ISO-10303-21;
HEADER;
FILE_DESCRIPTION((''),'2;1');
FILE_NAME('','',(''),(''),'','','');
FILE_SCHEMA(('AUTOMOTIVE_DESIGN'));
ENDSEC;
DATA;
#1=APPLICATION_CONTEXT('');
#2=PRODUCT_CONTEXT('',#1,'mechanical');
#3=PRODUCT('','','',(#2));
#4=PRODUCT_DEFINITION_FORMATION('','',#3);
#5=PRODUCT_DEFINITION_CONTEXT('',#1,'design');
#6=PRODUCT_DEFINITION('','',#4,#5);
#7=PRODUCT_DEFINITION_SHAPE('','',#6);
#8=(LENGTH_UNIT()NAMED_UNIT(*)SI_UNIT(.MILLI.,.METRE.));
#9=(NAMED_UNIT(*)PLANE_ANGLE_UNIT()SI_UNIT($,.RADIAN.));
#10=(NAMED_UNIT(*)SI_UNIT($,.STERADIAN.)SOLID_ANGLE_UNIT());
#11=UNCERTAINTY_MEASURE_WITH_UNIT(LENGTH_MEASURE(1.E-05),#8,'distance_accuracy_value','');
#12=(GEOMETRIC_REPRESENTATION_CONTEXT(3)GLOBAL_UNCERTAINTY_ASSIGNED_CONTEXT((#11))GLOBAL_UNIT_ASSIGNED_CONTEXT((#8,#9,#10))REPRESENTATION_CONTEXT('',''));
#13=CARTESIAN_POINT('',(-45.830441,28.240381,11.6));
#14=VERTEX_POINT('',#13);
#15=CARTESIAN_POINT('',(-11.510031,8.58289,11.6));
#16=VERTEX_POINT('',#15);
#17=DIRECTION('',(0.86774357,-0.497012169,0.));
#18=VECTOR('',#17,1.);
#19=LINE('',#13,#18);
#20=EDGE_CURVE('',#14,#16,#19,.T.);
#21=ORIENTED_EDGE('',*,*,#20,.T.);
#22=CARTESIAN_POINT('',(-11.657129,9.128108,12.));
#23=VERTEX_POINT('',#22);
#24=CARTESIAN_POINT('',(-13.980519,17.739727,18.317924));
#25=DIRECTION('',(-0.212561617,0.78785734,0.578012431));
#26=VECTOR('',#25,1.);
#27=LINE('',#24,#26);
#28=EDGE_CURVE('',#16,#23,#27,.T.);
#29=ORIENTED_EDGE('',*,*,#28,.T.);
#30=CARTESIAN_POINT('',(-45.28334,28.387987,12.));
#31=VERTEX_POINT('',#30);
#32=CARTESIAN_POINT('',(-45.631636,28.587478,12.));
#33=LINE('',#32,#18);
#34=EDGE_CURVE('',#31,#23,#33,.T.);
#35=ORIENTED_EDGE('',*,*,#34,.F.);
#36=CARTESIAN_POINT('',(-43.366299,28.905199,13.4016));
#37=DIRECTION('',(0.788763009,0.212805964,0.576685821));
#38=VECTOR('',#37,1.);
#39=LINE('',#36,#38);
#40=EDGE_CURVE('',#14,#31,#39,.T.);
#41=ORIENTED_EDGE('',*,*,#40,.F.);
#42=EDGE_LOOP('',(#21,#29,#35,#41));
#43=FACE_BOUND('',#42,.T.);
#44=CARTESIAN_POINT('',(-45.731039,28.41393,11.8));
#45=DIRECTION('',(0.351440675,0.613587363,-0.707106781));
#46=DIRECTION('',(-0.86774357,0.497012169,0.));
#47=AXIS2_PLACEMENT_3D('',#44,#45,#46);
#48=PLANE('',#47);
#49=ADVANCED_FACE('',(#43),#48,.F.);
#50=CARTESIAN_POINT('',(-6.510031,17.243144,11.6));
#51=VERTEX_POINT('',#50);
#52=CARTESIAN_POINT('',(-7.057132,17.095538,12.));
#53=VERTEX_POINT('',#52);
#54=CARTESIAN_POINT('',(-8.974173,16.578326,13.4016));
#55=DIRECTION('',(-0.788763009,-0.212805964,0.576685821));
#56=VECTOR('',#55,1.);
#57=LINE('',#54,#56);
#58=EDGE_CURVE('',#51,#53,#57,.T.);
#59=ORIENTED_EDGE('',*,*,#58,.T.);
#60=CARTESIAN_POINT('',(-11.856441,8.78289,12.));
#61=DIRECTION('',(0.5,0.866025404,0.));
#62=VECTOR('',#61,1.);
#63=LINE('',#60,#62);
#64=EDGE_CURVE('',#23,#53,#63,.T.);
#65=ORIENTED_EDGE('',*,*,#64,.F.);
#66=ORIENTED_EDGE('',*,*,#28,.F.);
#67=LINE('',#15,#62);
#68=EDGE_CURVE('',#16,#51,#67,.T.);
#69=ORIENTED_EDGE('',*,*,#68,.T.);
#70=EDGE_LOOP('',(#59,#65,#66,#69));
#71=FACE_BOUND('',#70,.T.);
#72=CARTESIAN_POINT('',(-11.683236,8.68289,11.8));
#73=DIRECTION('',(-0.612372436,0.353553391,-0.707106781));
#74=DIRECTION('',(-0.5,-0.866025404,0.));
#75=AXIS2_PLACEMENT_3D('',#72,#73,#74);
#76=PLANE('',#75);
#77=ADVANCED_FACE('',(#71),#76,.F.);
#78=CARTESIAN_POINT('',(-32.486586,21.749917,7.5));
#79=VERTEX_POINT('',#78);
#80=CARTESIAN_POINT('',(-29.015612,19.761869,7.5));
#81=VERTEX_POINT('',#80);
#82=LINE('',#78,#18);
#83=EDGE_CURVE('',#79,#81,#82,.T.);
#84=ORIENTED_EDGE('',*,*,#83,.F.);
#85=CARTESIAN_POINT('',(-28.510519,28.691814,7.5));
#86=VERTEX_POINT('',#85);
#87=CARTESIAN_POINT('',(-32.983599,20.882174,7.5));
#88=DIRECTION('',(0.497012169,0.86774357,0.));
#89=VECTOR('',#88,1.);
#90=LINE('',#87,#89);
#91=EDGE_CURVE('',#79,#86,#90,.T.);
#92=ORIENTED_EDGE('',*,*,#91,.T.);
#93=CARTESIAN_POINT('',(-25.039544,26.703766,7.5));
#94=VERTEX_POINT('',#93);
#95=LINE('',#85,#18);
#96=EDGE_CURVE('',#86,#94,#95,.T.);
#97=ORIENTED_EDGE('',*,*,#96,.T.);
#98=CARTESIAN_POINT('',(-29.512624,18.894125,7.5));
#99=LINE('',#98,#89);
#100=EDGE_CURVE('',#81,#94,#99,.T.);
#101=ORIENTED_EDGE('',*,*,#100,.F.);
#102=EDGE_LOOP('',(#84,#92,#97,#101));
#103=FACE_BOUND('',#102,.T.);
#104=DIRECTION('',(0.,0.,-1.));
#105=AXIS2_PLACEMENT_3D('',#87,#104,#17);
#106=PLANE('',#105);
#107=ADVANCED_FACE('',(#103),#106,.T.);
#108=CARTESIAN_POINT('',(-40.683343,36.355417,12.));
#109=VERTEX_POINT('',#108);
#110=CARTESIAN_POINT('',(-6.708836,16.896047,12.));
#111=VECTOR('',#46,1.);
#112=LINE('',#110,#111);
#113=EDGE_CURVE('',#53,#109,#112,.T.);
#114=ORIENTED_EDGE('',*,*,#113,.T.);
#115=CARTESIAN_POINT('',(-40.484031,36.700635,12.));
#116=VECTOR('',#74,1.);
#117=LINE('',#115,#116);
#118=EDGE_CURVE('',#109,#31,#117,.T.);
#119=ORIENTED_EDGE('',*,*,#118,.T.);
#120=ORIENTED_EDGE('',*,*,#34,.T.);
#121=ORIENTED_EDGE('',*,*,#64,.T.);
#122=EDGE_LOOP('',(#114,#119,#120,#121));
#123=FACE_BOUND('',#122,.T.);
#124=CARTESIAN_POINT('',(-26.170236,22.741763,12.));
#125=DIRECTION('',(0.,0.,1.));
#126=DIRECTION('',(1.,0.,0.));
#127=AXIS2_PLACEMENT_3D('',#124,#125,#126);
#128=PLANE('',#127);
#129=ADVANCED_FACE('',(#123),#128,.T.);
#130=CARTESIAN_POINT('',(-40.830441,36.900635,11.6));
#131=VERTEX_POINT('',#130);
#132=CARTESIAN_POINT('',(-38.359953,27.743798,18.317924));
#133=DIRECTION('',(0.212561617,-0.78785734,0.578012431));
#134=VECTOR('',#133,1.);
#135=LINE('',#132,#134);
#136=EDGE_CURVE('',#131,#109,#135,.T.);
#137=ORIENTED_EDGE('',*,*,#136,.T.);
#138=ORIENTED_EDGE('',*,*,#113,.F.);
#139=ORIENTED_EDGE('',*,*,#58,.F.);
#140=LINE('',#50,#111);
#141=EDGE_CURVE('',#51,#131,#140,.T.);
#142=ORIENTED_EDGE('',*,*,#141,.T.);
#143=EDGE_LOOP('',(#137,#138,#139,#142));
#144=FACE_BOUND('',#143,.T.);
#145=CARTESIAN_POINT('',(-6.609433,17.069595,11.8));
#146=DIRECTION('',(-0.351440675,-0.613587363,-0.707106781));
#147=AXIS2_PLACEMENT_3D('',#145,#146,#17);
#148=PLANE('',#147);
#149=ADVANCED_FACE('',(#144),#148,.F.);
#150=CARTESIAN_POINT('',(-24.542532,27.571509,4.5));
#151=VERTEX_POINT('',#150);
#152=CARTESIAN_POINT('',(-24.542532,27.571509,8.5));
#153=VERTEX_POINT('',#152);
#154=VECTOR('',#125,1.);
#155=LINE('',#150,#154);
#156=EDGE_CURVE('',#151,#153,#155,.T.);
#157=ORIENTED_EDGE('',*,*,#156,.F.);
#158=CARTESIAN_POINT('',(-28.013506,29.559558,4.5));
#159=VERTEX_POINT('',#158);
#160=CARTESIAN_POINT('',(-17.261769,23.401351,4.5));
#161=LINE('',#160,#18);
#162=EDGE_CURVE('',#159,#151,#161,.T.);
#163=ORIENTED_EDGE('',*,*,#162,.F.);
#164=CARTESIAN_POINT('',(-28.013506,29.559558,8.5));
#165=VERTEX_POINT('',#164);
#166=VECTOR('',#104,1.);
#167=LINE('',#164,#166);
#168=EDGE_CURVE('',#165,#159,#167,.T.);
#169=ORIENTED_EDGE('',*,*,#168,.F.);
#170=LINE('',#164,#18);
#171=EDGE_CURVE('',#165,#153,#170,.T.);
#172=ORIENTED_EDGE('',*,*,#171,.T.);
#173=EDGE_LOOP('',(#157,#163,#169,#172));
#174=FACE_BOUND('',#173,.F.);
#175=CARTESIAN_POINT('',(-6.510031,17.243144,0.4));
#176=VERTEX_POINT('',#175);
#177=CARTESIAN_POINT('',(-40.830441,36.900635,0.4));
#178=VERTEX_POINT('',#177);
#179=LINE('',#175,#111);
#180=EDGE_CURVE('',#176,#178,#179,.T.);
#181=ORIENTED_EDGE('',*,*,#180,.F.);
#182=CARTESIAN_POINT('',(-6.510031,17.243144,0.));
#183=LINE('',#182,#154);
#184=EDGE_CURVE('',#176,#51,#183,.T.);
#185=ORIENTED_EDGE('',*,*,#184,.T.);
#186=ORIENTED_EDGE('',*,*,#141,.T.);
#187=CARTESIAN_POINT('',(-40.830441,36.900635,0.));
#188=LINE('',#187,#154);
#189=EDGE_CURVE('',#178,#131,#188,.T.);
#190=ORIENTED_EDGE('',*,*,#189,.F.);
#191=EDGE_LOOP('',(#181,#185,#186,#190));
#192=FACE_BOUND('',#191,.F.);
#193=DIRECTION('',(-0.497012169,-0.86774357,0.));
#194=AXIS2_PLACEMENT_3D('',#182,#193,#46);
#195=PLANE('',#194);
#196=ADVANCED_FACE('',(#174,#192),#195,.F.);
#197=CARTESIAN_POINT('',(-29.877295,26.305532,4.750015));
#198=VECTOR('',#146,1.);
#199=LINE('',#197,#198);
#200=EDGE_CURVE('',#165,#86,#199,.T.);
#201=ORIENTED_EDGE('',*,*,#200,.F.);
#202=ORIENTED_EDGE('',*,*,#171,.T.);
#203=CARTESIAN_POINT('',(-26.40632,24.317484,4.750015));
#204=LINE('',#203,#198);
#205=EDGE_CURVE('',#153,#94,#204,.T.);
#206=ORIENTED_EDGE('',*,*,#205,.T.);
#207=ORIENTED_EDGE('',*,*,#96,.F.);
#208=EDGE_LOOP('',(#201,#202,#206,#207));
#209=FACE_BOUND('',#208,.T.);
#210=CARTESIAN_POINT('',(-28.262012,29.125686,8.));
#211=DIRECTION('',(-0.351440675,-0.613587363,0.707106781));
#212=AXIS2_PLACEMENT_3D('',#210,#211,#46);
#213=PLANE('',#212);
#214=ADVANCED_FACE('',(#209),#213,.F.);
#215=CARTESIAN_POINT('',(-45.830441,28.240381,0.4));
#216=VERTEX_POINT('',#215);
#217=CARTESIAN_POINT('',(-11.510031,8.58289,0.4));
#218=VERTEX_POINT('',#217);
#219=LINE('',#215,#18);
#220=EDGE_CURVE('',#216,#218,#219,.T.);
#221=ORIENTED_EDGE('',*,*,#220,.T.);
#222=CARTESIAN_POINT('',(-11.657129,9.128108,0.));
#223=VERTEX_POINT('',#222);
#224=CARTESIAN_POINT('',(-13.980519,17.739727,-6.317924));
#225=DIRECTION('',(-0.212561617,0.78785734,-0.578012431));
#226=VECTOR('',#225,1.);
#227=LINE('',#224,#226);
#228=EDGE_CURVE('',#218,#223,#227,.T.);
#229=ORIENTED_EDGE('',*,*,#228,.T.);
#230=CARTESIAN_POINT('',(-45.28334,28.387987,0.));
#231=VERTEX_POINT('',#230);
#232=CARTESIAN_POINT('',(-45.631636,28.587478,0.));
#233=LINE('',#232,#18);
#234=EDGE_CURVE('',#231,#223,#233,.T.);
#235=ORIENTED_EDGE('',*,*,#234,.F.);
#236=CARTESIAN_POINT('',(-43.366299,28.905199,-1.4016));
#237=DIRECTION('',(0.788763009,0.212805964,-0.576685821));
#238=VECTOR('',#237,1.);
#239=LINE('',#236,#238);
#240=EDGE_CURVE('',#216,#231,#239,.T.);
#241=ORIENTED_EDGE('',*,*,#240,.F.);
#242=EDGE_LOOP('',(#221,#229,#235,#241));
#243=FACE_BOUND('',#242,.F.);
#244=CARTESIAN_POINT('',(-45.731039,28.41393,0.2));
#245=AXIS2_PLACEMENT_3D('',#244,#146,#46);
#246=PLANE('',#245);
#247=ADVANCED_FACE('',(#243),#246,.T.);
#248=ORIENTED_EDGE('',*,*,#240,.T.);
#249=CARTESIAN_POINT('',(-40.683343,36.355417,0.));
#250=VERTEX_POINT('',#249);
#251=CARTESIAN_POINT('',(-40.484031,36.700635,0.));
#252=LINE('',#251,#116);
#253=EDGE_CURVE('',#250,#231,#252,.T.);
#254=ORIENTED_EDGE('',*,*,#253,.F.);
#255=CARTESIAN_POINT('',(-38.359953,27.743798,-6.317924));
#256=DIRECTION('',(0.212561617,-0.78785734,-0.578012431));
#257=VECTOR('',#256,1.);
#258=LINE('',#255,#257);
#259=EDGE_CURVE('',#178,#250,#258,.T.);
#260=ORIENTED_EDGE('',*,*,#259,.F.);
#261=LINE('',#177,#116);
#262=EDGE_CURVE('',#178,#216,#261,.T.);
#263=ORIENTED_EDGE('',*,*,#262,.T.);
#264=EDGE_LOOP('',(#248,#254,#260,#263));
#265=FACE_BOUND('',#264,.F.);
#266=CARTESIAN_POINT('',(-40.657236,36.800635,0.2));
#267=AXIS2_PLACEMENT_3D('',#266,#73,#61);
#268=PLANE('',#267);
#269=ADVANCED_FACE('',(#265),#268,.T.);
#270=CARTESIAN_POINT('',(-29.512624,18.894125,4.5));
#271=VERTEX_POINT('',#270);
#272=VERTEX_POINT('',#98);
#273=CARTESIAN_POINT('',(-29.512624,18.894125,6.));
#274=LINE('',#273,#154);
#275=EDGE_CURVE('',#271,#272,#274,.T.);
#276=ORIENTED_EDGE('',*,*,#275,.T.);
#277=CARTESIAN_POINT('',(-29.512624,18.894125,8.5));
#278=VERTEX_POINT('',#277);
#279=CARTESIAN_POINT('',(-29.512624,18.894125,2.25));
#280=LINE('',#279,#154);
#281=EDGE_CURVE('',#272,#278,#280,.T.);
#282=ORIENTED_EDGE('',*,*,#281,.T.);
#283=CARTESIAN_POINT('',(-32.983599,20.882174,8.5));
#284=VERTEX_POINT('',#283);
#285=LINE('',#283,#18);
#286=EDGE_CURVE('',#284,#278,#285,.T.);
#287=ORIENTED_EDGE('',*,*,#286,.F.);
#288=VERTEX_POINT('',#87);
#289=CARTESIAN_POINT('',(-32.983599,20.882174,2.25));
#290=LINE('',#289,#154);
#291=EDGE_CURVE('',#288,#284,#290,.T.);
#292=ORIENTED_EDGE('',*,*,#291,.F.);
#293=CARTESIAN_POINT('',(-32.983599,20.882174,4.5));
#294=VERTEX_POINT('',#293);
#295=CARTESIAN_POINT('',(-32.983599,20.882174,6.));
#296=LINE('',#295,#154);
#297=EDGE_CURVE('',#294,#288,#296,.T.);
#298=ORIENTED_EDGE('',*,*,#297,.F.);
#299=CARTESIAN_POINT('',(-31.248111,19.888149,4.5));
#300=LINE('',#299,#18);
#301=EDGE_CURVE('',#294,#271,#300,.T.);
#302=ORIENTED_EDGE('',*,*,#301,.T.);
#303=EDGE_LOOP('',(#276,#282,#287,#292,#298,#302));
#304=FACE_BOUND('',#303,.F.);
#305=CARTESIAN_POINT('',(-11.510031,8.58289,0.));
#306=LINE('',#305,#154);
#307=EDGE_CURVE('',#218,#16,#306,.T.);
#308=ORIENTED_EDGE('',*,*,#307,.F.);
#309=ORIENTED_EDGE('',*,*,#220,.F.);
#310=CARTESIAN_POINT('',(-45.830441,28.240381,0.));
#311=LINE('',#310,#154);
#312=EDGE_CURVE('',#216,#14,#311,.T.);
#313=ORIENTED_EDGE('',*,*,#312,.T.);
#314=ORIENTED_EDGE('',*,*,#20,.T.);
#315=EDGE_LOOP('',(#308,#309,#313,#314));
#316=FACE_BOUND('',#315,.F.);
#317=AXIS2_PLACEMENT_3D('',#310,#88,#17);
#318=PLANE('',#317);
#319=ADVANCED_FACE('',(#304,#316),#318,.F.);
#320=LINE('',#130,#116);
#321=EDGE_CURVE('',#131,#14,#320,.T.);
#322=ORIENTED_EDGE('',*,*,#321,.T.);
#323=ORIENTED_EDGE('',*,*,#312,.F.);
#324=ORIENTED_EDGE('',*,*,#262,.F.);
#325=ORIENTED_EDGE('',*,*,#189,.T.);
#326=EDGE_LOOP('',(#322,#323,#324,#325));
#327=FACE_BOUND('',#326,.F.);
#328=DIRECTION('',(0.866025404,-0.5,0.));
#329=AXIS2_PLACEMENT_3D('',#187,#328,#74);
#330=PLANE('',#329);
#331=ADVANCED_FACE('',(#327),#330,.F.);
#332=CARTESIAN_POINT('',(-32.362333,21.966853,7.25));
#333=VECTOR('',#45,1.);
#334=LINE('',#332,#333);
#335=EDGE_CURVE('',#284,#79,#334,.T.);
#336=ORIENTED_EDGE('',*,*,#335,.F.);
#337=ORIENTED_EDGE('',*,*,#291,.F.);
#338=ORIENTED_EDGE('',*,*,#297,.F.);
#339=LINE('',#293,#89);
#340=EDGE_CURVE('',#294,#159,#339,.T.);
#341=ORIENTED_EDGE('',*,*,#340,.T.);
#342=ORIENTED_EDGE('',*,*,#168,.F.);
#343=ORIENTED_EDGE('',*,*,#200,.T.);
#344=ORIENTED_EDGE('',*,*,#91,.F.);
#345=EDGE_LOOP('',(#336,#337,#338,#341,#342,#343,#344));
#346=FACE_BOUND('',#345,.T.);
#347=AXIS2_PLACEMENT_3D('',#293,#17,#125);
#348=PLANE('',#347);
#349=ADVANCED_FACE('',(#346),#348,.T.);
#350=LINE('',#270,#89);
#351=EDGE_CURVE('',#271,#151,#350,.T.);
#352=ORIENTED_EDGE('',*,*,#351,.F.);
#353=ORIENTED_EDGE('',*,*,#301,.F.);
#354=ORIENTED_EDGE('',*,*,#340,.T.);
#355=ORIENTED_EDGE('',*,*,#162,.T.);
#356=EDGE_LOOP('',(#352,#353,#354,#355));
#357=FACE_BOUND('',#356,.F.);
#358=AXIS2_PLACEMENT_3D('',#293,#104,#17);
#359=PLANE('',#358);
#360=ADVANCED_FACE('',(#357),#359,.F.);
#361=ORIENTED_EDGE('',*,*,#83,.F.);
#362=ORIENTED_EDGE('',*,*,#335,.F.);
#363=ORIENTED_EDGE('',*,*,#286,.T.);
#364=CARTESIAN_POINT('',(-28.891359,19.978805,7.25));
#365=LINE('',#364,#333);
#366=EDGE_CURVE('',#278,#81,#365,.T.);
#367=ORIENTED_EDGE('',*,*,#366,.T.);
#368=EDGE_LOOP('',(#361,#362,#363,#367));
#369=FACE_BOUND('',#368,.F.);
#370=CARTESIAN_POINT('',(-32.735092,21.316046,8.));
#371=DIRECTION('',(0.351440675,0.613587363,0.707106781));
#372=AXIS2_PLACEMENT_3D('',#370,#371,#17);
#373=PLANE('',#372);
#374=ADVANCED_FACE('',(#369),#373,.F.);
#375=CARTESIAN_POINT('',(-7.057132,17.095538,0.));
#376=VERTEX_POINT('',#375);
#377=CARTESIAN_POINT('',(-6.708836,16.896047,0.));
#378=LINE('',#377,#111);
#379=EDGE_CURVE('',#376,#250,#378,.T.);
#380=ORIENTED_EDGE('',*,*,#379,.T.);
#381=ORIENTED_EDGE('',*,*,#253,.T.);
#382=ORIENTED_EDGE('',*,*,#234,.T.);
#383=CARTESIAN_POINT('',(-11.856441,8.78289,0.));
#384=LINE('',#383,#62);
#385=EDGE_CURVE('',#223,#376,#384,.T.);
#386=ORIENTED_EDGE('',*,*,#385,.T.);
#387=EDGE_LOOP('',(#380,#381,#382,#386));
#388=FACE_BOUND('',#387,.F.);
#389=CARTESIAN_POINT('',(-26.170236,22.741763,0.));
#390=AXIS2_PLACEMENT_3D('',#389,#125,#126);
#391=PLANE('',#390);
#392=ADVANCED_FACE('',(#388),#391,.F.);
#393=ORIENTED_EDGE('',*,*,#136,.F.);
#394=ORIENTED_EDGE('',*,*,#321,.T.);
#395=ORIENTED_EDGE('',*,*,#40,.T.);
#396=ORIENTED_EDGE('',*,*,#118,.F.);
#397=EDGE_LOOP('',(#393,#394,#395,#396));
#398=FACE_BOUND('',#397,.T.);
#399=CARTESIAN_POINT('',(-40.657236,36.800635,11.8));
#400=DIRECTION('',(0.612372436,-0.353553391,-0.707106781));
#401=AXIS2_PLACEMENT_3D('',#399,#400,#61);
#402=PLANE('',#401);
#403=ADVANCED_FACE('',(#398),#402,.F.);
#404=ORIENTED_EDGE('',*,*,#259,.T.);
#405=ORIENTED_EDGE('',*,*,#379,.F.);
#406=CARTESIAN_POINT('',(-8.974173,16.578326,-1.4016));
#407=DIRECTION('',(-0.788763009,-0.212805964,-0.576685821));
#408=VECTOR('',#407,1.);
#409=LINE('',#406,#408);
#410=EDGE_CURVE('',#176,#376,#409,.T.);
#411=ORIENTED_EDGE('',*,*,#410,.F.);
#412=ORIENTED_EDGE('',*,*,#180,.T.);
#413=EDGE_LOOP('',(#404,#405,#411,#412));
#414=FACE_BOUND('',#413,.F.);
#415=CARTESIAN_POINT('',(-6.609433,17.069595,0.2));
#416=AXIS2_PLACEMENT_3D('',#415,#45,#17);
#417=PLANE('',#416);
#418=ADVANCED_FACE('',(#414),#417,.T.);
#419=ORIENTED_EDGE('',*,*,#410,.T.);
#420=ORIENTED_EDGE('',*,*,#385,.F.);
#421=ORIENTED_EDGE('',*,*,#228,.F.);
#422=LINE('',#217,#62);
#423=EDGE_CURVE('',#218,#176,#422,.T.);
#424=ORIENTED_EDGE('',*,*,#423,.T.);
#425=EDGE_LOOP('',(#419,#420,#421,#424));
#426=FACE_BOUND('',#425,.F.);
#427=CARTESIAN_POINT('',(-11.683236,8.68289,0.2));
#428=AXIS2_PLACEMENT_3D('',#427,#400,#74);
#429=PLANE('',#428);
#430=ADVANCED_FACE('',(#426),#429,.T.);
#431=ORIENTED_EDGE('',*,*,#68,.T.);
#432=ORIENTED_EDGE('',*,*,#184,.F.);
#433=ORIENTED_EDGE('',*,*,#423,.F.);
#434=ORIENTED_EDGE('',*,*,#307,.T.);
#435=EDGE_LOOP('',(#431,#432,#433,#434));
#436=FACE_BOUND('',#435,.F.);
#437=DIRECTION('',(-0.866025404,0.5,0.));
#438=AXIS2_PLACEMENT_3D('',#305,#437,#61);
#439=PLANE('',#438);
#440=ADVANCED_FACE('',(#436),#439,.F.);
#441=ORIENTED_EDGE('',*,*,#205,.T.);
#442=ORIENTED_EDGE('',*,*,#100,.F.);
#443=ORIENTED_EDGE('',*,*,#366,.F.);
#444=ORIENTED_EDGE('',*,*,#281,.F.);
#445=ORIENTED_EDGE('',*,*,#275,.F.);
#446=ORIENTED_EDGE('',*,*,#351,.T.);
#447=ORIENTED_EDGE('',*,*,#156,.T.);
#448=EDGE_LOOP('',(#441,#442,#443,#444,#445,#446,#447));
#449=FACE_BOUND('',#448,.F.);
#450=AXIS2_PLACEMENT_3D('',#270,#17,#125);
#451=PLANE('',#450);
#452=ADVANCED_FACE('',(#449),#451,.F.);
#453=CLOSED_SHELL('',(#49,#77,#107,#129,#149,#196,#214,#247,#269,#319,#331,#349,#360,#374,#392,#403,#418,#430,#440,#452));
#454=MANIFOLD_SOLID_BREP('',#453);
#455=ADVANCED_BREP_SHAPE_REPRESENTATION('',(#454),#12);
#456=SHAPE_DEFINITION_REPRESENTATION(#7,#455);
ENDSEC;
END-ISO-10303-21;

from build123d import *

# Parameters (mm, degrees)
PAD004_DEPTH    = 12
CHAMFER004_SIZE = 0.4
SKETCH014_W     = 4
SKETCH014_H     = 3
POCKET005_DEPTH = 27.0586020258
CHAMFER008_SIZE = 1


with BuildPart() as part:
    # Sketch008 → Pad004 (new body)
    with BuildSketch(Plane.XY):
        Polygon((-40.830441, 36.9006350378), (-45.830441, 28.240381), (-11.510031, 8.58289), (-6.510031, 17.2431440378), align=None)
    extrude(amount=PAD004_DEPTH)

    # Chamfer004
    chamfer004_edges = [part.edges().sort_by_distance(p)[0] for p in [
        (-43.330441, 32.570508, 12),
        (-28.670236, 18.411635, 12),
        (-9.010031, 12.913017, 12),
        (-23.670236, 27.07189, 12),
        (-43.330441, 32.570508, 0),
        (-28.670236, 18.411635, 0),
        (-9.010031, 12.913017, 0),
        (-23.670236, 27.07189, 0),
    ]]
    chamfer(chamfer004_edges, length=CHAMFER004_SIZE)

    # Sketch014 (on Face5 of Chamfer004) → Pocket005 (cut, through all)
    with BuildSketch(Plane(origin=(0.8584007196, 1.498699129, 0), x_dir=(0.8677435702, -0.4970121692, 0), z_dir=(-0.4970121692, -0.8677435702, 0))):
        with Locations((-37, 6)):
            Rectangle(SKETCH014_W, SKETCH014_H)
    extrude(amount=-POCKET005_DEPTH, mode=Mode.SUBTRACT)

    # Chamfer008
    chamfer008_edges = [part.edges().sort_by_distance(p)[0] for p in [
        (-31.248111, 19.888149, 7.5),
        (-26.278019, 28.565534, 7.5),
    ]]
    chamfer(chamfer008_edges, length=CHAMFER008_SIZE)


solid = part.part
